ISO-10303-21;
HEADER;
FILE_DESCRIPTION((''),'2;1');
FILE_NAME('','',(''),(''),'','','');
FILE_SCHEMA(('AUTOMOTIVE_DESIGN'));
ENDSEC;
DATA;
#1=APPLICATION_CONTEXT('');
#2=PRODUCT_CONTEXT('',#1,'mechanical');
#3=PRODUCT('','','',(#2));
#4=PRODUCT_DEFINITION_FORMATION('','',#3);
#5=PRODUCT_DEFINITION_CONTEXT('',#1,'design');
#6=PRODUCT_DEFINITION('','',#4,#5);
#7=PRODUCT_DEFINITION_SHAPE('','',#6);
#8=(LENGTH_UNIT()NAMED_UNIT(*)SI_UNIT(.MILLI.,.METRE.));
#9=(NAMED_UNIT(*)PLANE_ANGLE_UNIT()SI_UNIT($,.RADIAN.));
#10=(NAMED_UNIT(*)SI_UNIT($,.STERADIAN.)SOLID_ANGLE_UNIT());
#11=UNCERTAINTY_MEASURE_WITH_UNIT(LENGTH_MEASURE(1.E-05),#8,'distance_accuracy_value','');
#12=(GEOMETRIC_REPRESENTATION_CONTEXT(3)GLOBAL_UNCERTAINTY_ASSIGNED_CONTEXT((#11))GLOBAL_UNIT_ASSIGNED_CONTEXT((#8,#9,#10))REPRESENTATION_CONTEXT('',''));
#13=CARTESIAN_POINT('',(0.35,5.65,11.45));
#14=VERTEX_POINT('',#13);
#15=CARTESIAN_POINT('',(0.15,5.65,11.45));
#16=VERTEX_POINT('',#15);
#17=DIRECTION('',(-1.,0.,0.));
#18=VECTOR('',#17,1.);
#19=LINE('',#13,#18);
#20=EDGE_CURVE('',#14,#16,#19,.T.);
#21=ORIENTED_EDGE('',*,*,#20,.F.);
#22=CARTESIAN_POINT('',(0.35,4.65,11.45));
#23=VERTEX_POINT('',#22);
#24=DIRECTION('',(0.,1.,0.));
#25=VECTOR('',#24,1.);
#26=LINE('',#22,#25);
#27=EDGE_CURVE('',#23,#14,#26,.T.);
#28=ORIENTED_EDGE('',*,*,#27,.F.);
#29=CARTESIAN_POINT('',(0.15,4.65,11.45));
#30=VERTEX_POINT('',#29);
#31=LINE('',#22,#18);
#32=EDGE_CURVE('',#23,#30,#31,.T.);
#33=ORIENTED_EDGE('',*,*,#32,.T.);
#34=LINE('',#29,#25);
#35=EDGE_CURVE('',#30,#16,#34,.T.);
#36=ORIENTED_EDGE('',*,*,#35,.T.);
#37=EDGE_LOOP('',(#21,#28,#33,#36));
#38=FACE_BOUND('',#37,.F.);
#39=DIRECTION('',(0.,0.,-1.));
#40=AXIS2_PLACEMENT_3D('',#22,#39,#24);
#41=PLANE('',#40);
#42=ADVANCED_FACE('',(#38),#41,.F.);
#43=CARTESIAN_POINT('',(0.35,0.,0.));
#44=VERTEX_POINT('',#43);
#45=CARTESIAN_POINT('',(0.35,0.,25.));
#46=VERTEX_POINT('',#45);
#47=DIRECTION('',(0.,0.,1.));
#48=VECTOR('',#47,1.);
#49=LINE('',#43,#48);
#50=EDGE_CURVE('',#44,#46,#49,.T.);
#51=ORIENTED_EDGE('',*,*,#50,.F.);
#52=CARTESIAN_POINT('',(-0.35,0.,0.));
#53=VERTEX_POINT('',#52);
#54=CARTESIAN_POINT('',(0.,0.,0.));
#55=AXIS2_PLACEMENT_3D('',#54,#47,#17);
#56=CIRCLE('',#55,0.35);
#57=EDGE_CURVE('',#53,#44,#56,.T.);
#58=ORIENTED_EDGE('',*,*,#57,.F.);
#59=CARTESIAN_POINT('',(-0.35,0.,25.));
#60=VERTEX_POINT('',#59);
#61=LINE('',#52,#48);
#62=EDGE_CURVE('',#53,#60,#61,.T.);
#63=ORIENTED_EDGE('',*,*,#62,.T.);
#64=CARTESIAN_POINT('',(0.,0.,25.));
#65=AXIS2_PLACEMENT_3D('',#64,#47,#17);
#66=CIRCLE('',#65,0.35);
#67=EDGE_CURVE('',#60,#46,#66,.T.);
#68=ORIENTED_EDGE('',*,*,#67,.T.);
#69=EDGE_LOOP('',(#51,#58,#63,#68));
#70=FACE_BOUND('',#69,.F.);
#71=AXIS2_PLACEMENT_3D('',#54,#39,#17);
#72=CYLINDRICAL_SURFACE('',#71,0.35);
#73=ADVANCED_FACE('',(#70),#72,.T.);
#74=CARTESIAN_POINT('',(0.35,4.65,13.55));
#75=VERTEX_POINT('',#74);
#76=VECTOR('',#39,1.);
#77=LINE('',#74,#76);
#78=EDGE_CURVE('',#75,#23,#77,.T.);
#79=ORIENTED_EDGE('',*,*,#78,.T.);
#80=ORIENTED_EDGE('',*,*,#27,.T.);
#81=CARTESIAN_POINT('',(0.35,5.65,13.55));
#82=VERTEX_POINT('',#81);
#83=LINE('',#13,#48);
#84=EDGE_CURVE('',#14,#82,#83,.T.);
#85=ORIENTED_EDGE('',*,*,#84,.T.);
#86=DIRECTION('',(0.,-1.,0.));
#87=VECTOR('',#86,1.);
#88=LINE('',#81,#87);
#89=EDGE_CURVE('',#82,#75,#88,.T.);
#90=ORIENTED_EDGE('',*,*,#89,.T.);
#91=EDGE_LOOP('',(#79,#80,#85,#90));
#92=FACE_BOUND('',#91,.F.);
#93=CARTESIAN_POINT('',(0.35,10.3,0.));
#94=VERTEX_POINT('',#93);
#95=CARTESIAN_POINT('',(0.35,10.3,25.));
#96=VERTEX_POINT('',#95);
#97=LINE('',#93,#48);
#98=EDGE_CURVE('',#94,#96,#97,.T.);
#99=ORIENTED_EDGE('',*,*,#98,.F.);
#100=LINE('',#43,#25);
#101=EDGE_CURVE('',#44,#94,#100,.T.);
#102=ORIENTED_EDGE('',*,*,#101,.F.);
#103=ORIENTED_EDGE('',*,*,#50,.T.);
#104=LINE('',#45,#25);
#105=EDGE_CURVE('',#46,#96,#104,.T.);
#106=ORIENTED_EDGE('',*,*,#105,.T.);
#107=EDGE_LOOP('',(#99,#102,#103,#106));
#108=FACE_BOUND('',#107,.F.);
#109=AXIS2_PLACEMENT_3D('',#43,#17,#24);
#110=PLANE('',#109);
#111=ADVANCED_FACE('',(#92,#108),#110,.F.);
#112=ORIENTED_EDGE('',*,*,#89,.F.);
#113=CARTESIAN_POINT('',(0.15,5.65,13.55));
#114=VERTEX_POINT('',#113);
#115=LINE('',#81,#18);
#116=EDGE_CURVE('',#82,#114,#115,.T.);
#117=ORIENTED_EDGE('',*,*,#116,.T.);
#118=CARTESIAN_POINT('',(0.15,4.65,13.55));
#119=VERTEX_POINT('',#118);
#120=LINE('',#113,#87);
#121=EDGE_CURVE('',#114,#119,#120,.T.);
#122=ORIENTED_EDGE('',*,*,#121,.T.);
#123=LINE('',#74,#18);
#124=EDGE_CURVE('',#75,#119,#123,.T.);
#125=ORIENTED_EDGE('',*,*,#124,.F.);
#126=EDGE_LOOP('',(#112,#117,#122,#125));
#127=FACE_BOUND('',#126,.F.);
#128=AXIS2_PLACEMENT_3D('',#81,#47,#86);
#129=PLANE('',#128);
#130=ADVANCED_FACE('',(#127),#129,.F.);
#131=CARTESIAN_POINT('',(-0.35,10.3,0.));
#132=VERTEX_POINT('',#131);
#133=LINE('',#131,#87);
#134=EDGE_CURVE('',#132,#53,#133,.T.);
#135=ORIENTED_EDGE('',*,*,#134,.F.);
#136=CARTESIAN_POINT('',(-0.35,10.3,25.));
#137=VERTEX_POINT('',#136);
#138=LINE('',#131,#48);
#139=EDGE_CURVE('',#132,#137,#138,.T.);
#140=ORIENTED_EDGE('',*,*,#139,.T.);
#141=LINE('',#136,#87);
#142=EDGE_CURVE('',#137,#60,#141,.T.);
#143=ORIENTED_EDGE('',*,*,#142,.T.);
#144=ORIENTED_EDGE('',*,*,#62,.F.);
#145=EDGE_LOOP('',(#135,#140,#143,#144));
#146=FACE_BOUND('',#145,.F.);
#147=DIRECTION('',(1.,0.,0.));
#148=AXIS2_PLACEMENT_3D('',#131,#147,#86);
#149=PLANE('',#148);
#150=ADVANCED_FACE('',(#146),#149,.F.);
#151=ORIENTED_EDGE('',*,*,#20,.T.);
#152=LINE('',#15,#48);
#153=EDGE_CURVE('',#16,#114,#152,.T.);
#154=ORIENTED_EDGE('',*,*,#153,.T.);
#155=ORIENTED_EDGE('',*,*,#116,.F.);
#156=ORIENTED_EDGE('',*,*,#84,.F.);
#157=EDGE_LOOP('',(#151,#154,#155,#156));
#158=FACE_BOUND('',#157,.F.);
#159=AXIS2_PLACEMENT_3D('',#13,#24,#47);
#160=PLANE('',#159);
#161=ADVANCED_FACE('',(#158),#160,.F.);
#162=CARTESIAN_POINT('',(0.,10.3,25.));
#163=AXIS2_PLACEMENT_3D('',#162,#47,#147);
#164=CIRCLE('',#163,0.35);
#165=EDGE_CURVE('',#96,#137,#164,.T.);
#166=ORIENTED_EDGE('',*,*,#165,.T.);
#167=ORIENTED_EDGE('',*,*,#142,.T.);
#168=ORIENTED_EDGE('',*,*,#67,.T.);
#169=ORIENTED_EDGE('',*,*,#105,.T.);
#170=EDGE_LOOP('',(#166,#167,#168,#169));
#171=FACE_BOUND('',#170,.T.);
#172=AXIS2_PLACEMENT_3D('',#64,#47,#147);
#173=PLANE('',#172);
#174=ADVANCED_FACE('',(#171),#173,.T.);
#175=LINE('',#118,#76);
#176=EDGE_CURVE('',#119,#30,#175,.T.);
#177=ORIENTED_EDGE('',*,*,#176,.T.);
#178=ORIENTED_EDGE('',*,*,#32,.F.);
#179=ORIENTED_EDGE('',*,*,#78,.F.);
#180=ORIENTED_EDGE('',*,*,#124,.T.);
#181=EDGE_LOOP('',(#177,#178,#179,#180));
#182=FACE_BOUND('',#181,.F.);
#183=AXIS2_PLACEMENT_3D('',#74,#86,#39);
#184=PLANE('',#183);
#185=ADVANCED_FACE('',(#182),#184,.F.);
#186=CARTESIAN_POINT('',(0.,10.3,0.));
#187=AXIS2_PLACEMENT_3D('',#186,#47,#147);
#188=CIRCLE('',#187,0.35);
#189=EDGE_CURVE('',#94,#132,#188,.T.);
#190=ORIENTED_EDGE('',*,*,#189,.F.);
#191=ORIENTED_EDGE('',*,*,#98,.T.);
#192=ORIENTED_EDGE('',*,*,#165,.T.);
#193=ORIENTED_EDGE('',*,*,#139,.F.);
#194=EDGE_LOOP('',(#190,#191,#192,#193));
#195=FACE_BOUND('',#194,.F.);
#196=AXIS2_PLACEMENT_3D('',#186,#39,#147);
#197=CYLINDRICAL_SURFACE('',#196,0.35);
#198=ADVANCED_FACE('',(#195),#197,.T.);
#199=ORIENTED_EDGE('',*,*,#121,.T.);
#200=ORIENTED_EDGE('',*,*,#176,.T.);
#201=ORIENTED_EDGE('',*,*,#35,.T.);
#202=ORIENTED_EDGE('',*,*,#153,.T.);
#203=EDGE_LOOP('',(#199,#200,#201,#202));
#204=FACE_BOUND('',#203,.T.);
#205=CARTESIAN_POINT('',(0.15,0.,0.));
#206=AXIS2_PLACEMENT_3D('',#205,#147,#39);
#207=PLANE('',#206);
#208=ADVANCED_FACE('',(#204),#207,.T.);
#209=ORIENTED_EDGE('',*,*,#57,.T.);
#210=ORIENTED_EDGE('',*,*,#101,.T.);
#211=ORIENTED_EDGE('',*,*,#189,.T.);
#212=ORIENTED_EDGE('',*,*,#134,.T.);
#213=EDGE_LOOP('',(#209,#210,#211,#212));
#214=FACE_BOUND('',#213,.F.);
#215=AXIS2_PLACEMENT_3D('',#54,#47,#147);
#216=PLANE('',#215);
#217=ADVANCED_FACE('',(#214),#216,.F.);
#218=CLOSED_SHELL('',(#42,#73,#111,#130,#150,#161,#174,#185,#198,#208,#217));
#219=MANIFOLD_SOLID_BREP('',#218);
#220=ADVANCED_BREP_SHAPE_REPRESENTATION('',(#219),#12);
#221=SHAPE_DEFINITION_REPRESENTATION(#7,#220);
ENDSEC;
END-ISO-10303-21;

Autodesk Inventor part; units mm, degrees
ref_plane "YZ Plane" through (0, 0, 0) normal (1, 0, 0) x (0, 1, 0)
ref_plane "XZ Plane" through (0, 0, 0) normal (0, 1, 0) x (-1, 0, 0)
ref_plane "XY Plane" through (0, 0, 0) normal (0, 0, 1) x (1, 0, 0)
sketch "Boceto1" plane through (0, 0, 0) normal (0, 0, 1) x (1, 0, 0)
  line L0 (0, 0) -> (0, 10.3) construction
  line L1 (0.35, 0) -> (0.35, 10.3)
  line L2 (-0.35, 10.3) -> (-0.35, 0)
  arc A0 (-0.35, 0) -> (0.35, 0) centre (0, 0) ccw
  arc A1 (0.35, 10.3) -> (-0.35, 10.3) centre (0, 10.3) ccw
  point P0 (0, 5.15)
  dimension "d0" = 10.3
  dimension "d1" = 0.7
extrude "Extrusión1" add sketch "Boceto1" along normal blind 25
sketch "Boceto2" plane through (0.35, 0, 0) normal (1, 0, 0) x (0, 0, -1)
  line L0 (-13.55, 4.65) -> (-11.45, 4.65)
  line L1 (-11.45, 4.65) -> (-11.45, 5.65)
  line L2 (-11.45, 5.65) -> (-13.55, 5.65)
  line L3 (-13.55, 5.65) -> (-13.55, 4.65)
  line L4 (-25, 0) -> (-25, 10.3) projected
  line L5 (0, 0) -> (-25, 0) projected
  point P0 (-12.5, 0)
  point P1 (-12.5, 4.65)
  dimension "d4" = 2.1
  dimension "d5" = 1
  dimension "d6" = 11.45
  dimension "d7" = 4.65
extrude "Extrusión2" cut sketch "Boceto2" against normal blind 0.2
properties part number "sensor"
